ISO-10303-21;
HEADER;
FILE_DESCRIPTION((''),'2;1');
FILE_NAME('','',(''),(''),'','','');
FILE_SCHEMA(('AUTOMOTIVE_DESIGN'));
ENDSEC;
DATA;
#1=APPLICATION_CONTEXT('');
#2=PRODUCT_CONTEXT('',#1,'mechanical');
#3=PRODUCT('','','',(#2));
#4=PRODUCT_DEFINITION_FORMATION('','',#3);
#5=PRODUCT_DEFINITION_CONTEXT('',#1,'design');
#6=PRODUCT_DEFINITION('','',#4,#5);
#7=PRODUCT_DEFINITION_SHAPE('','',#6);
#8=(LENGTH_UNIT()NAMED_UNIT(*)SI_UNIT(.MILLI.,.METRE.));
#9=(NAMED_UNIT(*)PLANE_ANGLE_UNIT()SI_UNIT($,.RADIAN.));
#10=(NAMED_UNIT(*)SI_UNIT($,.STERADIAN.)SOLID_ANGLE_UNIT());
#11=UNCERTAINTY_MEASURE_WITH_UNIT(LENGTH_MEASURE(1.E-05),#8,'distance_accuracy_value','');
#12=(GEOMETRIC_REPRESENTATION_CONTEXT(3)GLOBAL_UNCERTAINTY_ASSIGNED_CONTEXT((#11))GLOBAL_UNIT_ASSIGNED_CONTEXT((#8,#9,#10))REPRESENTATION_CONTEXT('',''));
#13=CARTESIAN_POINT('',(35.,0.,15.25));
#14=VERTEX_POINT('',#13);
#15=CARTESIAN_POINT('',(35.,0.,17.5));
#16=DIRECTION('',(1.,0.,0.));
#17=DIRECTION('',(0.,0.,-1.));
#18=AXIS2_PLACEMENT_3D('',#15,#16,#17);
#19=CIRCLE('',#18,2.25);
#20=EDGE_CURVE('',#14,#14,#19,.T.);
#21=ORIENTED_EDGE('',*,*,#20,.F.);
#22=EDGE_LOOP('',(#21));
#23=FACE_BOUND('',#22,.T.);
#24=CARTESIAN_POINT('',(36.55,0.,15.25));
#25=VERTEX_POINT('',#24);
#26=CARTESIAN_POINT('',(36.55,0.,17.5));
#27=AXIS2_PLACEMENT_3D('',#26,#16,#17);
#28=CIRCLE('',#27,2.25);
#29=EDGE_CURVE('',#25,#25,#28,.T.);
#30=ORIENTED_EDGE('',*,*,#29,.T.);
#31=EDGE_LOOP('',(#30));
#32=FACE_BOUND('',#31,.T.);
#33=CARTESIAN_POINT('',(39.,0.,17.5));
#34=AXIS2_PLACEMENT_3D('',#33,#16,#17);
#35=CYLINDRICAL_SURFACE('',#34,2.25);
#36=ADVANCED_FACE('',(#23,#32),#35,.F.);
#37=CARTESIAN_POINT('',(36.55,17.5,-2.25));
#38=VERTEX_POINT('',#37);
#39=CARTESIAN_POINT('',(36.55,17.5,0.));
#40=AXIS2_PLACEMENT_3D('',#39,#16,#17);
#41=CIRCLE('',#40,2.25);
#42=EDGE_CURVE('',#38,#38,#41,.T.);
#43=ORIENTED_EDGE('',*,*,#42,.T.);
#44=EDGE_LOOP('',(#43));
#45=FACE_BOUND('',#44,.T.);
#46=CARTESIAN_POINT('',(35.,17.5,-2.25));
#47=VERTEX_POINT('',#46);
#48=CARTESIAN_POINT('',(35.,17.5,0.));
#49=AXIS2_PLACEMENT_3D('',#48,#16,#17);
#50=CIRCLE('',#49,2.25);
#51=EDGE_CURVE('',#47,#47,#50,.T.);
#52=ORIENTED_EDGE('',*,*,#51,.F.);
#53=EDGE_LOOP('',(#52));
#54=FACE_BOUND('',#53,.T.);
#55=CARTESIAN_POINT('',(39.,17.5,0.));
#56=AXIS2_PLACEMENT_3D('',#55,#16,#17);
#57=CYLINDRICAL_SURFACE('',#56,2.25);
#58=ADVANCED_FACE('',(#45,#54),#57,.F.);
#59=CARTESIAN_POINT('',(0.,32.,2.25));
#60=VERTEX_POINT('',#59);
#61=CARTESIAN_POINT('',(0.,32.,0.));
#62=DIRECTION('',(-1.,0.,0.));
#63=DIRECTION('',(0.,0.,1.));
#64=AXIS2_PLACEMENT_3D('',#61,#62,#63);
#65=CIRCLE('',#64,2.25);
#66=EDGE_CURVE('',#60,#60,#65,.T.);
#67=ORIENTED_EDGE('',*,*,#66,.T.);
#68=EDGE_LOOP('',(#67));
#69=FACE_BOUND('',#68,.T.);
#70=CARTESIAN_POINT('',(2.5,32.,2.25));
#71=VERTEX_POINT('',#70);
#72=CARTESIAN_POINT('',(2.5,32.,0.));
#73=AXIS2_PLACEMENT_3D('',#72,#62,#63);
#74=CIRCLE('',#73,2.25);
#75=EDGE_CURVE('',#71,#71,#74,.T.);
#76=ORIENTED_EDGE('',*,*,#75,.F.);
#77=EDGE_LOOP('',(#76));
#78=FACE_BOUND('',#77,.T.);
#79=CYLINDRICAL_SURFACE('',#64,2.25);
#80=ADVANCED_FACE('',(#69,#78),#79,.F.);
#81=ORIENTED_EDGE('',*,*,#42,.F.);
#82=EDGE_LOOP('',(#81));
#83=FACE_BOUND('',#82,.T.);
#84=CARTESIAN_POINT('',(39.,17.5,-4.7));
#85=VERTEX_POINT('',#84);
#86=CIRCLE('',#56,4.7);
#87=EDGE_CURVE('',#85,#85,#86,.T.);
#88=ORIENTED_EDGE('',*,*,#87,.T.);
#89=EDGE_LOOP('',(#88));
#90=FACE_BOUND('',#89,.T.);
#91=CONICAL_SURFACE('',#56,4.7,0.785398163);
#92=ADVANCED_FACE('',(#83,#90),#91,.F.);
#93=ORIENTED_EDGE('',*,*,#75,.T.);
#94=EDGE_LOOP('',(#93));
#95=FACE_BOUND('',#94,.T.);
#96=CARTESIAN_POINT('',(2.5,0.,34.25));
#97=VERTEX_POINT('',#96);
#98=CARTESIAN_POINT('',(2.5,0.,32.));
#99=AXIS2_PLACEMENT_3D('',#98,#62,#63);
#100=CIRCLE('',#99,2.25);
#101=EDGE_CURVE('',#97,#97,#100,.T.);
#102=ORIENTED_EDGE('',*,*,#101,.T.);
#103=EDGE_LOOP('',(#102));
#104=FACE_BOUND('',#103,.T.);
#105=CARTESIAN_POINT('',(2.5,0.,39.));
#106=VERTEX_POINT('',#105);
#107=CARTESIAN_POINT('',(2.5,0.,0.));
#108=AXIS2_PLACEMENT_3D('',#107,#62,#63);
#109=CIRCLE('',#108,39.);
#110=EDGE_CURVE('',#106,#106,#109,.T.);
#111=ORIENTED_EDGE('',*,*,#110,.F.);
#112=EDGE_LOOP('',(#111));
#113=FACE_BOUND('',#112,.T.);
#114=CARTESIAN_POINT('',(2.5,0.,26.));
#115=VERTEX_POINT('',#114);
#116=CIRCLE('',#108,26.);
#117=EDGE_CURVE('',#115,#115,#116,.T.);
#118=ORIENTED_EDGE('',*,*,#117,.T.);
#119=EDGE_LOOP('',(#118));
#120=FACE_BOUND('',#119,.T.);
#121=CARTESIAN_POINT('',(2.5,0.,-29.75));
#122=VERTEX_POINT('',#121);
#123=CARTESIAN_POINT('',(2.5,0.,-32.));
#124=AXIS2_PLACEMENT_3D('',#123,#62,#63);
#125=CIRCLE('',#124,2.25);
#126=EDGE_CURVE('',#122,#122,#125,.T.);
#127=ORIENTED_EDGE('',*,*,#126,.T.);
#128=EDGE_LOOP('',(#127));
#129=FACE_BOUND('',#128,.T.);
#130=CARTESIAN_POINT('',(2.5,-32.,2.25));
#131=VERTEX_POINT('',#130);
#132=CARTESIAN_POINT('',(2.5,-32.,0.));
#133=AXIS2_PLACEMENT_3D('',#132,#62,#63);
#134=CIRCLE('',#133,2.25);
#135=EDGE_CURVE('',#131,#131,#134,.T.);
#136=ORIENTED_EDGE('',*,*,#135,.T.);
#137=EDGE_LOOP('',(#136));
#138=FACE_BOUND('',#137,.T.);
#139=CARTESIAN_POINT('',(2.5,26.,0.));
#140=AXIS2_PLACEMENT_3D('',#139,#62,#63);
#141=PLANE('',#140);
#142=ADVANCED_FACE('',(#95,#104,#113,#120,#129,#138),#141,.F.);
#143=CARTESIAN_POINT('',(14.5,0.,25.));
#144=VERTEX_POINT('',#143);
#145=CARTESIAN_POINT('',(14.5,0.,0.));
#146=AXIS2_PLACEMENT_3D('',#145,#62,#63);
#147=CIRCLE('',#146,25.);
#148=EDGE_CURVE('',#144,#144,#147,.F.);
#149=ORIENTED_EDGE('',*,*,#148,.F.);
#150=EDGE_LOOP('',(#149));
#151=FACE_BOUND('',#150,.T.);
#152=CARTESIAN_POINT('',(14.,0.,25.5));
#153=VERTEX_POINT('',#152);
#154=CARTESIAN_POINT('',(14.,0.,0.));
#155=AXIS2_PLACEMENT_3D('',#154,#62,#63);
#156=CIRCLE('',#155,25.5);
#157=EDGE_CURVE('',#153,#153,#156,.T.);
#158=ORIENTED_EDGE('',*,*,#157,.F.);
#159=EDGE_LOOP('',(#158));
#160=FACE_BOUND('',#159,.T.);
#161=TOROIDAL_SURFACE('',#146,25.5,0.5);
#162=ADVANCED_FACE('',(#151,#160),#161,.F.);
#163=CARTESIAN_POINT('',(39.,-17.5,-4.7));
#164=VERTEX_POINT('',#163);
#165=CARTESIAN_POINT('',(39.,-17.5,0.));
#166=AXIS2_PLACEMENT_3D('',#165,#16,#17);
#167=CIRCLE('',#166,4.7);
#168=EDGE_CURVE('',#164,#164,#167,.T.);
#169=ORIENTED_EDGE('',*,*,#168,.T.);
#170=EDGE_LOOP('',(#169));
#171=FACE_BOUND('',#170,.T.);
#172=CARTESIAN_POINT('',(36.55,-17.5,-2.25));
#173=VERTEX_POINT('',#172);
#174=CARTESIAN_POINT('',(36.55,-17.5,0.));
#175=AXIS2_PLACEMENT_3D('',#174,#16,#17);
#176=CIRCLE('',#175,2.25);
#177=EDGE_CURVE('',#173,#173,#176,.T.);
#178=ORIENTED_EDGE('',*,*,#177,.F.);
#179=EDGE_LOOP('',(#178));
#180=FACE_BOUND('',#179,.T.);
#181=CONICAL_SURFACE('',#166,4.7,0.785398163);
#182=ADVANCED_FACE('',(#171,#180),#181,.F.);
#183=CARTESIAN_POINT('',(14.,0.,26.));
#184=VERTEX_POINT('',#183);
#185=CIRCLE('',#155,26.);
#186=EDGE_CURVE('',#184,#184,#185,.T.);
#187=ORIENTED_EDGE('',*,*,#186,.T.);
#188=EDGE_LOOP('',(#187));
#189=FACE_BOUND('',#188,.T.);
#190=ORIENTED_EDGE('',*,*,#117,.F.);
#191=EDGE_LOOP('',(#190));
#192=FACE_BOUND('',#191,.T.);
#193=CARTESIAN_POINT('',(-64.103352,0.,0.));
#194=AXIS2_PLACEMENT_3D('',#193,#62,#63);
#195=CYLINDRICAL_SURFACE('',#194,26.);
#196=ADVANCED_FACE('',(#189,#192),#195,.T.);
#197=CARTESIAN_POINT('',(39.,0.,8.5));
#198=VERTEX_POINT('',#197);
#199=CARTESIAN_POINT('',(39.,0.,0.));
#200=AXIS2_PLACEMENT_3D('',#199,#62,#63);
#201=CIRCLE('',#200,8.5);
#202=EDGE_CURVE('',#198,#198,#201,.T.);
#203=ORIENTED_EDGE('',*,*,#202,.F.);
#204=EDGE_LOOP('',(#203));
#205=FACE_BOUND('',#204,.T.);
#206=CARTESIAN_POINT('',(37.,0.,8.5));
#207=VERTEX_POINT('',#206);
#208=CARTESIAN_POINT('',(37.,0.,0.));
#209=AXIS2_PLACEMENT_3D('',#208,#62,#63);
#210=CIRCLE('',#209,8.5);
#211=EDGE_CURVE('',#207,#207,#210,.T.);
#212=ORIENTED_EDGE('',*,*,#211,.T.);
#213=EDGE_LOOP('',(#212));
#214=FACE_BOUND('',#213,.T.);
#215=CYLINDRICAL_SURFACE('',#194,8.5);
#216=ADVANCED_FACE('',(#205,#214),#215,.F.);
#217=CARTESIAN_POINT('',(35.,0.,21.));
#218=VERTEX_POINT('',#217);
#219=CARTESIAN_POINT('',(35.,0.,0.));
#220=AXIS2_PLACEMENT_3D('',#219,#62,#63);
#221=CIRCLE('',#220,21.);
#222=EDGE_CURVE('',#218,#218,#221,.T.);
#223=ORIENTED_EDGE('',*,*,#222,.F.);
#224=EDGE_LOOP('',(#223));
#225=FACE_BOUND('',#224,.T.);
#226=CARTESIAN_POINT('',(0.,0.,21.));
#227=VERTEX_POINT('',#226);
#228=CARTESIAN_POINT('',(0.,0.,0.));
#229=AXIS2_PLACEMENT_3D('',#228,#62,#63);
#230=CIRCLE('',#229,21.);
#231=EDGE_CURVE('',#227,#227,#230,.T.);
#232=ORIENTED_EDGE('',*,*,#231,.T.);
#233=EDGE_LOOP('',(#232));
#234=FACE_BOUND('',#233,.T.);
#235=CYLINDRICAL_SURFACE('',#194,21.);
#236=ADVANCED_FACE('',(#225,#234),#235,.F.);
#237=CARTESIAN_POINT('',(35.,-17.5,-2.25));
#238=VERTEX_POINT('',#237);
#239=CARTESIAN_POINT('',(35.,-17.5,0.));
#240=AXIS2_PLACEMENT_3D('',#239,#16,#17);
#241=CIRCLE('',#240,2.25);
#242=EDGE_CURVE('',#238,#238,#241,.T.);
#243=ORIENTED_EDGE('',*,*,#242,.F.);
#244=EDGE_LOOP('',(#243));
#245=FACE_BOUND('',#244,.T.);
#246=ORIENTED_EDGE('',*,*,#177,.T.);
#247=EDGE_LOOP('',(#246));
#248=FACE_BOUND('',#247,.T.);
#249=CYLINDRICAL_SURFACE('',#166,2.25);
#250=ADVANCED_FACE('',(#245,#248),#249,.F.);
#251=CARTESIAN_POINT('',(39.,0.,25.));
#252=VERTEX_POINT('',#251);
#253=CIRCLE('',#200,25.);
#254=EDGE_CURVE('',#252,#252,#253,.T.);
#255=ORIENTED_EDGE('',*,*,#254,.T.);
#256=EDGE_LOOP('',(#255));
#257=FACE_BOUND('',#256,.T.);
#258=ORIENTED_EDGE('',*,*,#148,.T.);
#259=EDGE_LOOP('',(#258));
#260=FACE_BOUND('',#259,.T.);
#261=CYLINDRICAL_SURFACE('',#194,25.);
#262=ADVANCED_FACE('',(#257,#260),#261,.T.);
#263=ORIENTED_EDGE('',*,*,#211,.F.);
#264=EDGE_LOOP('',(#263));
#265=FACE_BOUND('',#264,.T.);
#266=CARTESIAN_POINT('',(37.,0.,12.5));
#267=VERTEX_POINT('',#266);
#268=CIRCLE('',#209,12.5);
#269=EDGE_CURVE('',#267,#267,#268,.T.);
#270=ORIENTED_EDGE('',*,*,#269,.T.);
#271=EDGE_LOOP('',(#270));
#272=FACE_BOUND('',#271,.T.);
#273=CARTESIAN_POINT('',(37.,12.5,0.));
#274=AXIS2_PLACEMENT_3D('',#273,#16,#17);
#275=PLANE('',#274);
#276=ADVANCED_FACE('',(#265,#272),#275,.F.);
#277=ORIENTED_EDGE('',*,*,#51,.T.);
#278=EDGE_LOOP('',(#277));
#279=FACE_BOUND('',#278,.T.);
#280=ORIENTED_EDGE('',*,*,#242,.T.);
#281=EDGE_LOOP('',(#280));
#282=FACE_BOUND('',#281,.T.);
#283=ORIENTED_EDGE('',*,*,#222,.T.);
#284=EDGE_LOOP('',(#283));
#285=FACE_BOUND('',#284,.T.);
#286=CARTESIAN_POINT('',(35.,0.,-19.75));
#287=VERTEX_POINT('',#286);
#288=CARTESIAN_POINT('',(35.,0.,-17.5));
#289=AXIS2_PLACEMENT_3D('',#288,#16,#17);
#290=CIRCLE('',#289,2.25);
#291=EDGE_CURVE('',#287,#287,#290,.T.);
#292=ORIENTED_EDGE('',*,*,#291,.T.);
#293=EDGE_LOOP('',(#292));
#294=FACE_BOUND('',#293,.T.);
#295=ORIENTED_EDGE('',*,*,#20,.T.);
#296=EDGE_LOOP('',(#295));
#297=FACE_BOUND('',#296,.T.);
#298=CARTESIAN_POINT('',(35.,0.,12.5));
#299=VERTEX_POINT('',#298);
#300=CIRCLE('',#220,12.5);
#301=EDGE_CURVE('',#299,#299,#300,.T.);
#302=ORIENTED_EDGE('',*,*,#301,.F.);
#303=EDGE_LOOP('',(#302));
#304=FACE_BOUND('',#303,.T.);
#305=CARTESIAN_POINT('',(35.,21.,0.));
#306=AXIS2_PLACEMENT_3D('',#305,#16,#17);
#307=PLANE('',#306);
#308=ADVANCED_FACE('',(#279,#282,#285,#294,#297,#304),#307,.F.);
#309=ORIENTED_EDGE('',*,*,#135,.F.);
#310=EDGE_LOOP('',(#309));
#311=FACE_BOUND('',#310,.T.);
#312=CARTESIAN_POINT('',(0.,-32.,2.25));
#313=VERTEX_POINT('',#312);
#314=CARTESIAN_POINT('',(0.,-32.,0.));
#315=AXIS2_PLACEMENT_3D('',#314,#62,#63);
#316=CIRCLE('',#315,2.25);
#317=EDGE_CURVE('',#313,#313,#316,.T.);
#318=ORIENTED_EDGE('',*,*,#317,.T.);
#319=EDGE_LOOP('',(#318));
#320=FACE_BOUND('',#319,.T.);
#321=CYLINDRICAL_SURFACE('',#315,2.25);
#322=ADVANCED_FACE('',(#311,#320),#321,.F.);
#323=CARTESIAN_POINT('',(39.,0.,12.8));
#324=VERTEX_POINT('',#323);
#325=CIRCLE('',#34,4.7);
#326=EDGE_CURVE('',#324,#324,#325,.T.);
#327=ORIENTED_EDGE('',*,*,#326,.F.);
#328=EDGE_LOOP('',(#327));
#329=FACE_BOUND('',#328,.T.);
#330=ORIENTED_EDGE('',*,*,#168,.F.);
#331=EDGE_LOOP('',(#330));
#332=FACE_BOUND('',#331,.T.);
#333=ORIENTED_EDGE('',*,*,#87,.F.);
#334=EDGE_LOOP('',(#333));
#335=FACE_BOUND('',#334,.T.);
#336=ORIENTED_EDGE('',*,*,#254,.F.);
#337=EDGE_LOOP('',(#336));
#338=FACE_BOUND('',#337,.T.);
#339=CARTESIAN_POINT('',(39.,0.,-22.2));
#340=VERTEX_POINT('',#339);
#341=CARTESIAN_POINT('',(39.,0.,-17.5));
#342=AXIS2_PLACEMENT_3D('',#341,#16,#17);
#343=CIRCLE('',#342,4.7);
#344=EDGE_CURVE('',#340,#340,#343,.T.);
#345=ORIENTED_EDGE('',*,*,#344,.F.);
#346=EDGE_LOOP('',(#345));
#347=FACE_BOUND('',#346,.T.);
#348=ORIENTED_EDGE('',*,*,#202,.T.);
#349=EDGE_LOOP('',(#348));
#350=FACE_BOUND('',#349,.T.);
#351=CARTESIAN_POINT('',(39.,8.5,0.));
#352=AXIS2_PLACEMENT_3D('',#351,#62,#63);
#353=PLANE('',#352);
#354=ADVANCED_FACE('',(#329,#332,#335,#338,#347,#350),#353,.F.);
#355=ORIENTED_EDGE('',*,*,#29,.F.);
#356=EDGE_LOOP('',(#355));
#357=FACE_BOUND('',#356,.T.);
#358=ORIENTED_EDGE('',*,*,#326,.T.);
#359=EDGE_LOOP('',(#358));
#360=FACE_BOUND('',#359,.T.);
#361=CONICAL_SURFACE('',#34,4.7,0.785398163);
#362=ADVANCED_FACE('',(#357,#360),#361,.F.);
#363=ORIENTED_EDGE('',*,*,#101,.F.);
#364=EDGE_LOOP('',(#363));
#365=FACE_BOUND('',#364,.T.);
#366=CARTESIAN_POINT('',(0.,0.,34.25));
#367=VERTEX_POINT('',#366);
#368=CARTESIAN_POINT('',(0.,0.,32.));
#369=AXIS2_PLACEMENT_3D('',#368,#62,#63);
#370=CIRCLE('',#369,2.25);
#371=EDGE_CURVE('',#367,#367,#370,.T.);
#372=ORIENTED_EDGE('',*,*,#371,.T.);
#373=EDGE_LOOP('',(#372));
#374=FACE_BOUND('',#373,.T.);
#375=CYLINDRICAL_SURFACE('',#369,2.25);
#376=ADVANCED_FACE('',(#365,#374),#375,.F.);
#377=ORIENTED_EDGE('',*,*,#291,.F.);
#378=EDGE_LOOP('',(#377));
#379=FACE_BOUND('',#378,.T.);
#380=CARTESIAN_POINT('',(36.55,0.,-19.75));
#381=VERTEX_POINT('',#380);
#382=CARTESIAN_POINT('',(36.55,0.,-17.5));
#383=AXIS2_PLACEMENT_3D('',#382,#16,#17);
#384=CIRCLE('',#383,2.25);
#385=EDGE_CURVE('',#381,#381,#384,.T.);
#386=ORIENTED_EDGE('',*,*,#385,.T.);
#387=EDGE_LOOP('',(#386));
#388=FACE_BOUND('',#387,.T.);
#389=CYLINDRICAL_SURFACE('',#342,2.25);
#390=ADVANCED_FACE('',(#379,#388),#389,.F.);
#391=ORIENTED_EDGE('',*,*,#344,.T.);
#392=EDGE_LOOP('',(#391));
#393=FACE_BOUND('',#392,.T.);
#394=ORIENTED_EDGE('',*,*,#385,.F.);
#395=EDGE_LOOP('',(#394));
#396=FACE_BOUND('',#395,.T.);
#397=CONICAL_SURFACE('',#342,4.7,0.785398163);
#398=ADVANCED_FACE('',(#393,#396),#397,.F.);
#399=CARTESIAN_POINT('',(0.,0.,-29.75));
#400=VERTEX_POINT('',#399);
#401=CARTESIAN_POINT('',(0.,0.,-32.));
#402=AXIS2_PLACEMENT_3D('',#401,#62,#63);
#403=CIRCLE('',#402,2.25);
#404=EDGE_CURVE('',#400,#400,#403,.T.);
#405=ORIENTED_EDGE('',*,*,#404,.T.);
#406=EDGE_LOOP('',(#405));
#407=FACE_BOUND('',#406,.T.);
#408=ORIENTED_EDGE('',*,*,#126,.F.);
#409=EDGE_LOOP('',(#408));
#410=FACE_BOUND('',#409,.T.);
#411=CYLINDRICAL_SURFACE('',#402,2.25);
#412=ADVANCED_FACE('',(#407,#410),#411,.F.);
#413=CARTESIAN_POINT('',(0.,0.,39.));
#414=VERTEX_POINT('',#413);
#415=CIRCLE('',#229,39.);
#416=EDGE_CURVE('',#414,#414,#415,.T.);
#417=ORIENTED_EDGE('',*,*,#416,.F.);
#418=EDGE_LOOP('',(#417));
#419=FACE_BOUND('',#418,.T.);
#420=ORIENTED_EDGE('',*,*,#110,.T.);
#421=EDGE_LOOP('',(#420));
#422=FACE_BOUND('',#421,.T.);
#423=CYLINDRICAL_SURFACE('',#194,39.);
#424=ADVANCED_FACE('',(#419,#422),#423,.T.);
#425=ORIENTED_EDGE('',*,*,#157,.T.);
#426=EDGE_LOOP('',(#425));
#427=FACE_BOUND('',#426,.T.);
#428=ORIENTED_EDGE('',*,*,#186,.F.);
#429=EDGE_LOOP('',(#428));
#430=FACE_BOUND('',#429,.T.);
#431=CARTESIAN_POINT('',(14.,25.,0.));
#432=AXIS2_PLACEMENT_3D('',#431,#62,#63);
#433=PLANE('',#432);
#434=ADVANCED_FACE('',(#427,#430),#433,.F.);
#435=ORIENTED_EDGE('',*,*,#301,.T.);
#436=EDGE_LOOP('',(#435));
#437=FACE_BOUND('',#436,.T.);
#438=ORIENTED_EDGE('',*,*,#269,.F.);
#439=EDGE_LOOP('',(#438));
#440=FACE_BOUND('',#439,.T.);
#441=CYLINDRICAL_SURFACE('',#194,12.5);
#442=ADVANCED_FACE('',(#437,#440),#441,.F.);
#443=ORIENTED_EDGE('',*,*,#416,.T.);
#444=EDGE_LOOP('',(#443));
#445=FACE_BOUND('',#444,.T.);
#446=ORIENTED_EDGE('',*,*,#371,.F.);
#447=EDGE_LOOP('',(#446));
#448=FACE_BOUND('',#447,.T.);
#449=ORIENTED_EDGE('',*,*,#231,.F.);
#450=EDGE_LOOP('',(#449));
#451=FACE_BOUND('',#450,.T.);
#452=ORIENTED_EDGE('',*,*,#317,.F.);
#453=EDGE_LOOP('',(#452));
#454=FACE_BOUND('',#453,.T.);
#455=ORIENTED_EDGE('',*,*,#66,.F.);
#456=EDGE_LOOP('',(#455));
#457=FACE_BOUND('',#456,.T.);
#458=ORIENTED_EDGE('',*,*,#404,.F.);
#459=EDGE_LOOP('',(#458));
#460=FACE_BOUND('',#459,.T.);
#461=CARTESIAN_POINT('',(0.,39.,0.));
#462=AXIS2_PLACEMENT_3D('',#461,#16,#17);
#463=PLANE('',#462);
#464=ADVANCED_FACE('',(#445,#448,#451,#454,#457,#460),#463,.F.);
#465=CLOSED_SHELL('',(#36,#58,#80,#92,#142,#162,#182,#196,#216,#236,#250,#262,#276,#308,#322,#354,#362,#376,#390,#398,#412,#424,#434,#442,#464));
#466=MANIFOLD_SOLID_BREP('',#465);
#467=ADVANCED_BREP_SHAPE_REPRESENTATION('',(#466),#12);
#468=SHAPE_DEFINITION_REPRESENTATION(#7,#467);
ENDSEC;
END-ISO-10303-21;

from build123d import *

# Parameters (mm, degrees)
CSK_FOR_M4_FLAT_HEAD_MACHINE_SCREW1_AT_2_COUNT = 2
CSK_FOR_M4_FLAT_HEAD_MACHINE_SCREW1_AT_2_PITCH = 24.748737342
CSK_FOR_M4_FLAT_HEAD_MACHINE_SCREW1_AT_3_COUNT = 2
CSK_FOR_M4_FLAT_HEAD_MACHINE_SCREW1_AT_3_PITCH = 35
CSK_FOR_M4_FLAT_HEAD_MACHINE_SCREW1_AT_4_COUNT = 2
CSK_FOR_M4_FLAT_HEAD_MACHINE_SCREW1_AT_4_PITCH = 24.748737342
M4_CLEARANCE_HOLE1_D                           = 4.5
M4_CLEARANCE_HOLE1_DEPTH                       = 2.5
FILLET1_R                                      = 0.5


with BuildPart() as part:
    # Sketch2 → Revolve1 (revolve)
    with BuildSketch(Plane.XY):
        Polygon((0, 21), (35, 21), (35, 12.5), (37, 12.5), (37, 8.5), (39, 8.5), (39, 25), (14, 25), (14, 26), (2.5, 26), (2.5, 39), (0, 39), (0, 26), align=None)
    revolve(axis=Axis((-64.103352454, 0, 0), (1, 0, 0)))

    # Sketch8 → CSK for M4 Flat Head Machine Screw1 (revolve, cut)
    with BuildSketch(Plane(origin=(39, 17.5, 0), x_dir=(0, 0, -1), z_dir=(0, 1, 0))):
        Polygon((0, 0), (0, 4), (2.25, 4), (2.25, 2.45), (4.7, 0), align=None)
    csk_for_m4_flat_head_machine_screw1 = revolve(axis=Axis((45.35, 17.5, 0), (-1, 0, 0)), mode=Mode.SUBTRACT)

    # CSK for M4 Flat Head Machine Screw1 at 2: CSK for M4 Flat Head Machine Screw1 ×2
    with Locations(*[Vector(0, -0.707106781, -0.707106781) * (i * CSK_FOR_M4_FLAT_HEAD_MACHINE_SCREW1_AT_2_PITCH) for i in range(1, CSK_FOR_M4_FLAT_HEAD_MACHINE_SCREW1_AT_2_COUNT)]):
        add(csk_for_m4_flat_head_machine_screw1, mode=Mode.SUBTRACT)

    # CSK for M4 Flat Head Machine Screw1 at 3: CSK for M4 Flat Head Machine Screw1 ×2
    with Locations(*[(0, -i * CSK_FOR_M4_FLAT_HEAD_MACHINE_SCREW1_AT_3_PITCH, 0) for i in range(1, CSK_FOR_M4_FLAT_HEAD_MACHINE_SCREW1_AT_3_COUNT)]):
        add(csk_for_m4_flat_head_machine_screw1, mode=Mode.SUBTRACT)

    # CSK for M4 Flat Head Machine Screw1 at 4: CSK for M4 Flat Head Machine Screw1 ×2
    with Locations(*[Vector(0, -0.707106781, 0.707106781) * (i * CSK_FOR_M4_FLAT_HEAD_MACHINE_SCREW1_AT_4_PITCH) for i in range(1, CSK_FOR_M4_FLAT_HEAD_MACHINE_SCREW1_AT_4_COUNT)]):
        add(csk_for_m4_flat_head_machine_screw1, mode=Mode.SUBTRACT)

    # M4 Clearance Hole1
    with Locations(Plane.ZY):
        with Locations((0, 32), (0, -32), (32, 0), (-32, 0)):
            Hole(M4_CLEARANCE_HOLE1_D / 2, depth=M4_CLEARANCE_HOLE1_DEPTH)

    # Fillet1
    fillet1_edges = [part.edges().sort_by_distance(p)[0] for p in [
        (14, -25, 0),
    ]]
    fillet(fillet1_edges, radius=FILLET1_R)


solid = part.part
